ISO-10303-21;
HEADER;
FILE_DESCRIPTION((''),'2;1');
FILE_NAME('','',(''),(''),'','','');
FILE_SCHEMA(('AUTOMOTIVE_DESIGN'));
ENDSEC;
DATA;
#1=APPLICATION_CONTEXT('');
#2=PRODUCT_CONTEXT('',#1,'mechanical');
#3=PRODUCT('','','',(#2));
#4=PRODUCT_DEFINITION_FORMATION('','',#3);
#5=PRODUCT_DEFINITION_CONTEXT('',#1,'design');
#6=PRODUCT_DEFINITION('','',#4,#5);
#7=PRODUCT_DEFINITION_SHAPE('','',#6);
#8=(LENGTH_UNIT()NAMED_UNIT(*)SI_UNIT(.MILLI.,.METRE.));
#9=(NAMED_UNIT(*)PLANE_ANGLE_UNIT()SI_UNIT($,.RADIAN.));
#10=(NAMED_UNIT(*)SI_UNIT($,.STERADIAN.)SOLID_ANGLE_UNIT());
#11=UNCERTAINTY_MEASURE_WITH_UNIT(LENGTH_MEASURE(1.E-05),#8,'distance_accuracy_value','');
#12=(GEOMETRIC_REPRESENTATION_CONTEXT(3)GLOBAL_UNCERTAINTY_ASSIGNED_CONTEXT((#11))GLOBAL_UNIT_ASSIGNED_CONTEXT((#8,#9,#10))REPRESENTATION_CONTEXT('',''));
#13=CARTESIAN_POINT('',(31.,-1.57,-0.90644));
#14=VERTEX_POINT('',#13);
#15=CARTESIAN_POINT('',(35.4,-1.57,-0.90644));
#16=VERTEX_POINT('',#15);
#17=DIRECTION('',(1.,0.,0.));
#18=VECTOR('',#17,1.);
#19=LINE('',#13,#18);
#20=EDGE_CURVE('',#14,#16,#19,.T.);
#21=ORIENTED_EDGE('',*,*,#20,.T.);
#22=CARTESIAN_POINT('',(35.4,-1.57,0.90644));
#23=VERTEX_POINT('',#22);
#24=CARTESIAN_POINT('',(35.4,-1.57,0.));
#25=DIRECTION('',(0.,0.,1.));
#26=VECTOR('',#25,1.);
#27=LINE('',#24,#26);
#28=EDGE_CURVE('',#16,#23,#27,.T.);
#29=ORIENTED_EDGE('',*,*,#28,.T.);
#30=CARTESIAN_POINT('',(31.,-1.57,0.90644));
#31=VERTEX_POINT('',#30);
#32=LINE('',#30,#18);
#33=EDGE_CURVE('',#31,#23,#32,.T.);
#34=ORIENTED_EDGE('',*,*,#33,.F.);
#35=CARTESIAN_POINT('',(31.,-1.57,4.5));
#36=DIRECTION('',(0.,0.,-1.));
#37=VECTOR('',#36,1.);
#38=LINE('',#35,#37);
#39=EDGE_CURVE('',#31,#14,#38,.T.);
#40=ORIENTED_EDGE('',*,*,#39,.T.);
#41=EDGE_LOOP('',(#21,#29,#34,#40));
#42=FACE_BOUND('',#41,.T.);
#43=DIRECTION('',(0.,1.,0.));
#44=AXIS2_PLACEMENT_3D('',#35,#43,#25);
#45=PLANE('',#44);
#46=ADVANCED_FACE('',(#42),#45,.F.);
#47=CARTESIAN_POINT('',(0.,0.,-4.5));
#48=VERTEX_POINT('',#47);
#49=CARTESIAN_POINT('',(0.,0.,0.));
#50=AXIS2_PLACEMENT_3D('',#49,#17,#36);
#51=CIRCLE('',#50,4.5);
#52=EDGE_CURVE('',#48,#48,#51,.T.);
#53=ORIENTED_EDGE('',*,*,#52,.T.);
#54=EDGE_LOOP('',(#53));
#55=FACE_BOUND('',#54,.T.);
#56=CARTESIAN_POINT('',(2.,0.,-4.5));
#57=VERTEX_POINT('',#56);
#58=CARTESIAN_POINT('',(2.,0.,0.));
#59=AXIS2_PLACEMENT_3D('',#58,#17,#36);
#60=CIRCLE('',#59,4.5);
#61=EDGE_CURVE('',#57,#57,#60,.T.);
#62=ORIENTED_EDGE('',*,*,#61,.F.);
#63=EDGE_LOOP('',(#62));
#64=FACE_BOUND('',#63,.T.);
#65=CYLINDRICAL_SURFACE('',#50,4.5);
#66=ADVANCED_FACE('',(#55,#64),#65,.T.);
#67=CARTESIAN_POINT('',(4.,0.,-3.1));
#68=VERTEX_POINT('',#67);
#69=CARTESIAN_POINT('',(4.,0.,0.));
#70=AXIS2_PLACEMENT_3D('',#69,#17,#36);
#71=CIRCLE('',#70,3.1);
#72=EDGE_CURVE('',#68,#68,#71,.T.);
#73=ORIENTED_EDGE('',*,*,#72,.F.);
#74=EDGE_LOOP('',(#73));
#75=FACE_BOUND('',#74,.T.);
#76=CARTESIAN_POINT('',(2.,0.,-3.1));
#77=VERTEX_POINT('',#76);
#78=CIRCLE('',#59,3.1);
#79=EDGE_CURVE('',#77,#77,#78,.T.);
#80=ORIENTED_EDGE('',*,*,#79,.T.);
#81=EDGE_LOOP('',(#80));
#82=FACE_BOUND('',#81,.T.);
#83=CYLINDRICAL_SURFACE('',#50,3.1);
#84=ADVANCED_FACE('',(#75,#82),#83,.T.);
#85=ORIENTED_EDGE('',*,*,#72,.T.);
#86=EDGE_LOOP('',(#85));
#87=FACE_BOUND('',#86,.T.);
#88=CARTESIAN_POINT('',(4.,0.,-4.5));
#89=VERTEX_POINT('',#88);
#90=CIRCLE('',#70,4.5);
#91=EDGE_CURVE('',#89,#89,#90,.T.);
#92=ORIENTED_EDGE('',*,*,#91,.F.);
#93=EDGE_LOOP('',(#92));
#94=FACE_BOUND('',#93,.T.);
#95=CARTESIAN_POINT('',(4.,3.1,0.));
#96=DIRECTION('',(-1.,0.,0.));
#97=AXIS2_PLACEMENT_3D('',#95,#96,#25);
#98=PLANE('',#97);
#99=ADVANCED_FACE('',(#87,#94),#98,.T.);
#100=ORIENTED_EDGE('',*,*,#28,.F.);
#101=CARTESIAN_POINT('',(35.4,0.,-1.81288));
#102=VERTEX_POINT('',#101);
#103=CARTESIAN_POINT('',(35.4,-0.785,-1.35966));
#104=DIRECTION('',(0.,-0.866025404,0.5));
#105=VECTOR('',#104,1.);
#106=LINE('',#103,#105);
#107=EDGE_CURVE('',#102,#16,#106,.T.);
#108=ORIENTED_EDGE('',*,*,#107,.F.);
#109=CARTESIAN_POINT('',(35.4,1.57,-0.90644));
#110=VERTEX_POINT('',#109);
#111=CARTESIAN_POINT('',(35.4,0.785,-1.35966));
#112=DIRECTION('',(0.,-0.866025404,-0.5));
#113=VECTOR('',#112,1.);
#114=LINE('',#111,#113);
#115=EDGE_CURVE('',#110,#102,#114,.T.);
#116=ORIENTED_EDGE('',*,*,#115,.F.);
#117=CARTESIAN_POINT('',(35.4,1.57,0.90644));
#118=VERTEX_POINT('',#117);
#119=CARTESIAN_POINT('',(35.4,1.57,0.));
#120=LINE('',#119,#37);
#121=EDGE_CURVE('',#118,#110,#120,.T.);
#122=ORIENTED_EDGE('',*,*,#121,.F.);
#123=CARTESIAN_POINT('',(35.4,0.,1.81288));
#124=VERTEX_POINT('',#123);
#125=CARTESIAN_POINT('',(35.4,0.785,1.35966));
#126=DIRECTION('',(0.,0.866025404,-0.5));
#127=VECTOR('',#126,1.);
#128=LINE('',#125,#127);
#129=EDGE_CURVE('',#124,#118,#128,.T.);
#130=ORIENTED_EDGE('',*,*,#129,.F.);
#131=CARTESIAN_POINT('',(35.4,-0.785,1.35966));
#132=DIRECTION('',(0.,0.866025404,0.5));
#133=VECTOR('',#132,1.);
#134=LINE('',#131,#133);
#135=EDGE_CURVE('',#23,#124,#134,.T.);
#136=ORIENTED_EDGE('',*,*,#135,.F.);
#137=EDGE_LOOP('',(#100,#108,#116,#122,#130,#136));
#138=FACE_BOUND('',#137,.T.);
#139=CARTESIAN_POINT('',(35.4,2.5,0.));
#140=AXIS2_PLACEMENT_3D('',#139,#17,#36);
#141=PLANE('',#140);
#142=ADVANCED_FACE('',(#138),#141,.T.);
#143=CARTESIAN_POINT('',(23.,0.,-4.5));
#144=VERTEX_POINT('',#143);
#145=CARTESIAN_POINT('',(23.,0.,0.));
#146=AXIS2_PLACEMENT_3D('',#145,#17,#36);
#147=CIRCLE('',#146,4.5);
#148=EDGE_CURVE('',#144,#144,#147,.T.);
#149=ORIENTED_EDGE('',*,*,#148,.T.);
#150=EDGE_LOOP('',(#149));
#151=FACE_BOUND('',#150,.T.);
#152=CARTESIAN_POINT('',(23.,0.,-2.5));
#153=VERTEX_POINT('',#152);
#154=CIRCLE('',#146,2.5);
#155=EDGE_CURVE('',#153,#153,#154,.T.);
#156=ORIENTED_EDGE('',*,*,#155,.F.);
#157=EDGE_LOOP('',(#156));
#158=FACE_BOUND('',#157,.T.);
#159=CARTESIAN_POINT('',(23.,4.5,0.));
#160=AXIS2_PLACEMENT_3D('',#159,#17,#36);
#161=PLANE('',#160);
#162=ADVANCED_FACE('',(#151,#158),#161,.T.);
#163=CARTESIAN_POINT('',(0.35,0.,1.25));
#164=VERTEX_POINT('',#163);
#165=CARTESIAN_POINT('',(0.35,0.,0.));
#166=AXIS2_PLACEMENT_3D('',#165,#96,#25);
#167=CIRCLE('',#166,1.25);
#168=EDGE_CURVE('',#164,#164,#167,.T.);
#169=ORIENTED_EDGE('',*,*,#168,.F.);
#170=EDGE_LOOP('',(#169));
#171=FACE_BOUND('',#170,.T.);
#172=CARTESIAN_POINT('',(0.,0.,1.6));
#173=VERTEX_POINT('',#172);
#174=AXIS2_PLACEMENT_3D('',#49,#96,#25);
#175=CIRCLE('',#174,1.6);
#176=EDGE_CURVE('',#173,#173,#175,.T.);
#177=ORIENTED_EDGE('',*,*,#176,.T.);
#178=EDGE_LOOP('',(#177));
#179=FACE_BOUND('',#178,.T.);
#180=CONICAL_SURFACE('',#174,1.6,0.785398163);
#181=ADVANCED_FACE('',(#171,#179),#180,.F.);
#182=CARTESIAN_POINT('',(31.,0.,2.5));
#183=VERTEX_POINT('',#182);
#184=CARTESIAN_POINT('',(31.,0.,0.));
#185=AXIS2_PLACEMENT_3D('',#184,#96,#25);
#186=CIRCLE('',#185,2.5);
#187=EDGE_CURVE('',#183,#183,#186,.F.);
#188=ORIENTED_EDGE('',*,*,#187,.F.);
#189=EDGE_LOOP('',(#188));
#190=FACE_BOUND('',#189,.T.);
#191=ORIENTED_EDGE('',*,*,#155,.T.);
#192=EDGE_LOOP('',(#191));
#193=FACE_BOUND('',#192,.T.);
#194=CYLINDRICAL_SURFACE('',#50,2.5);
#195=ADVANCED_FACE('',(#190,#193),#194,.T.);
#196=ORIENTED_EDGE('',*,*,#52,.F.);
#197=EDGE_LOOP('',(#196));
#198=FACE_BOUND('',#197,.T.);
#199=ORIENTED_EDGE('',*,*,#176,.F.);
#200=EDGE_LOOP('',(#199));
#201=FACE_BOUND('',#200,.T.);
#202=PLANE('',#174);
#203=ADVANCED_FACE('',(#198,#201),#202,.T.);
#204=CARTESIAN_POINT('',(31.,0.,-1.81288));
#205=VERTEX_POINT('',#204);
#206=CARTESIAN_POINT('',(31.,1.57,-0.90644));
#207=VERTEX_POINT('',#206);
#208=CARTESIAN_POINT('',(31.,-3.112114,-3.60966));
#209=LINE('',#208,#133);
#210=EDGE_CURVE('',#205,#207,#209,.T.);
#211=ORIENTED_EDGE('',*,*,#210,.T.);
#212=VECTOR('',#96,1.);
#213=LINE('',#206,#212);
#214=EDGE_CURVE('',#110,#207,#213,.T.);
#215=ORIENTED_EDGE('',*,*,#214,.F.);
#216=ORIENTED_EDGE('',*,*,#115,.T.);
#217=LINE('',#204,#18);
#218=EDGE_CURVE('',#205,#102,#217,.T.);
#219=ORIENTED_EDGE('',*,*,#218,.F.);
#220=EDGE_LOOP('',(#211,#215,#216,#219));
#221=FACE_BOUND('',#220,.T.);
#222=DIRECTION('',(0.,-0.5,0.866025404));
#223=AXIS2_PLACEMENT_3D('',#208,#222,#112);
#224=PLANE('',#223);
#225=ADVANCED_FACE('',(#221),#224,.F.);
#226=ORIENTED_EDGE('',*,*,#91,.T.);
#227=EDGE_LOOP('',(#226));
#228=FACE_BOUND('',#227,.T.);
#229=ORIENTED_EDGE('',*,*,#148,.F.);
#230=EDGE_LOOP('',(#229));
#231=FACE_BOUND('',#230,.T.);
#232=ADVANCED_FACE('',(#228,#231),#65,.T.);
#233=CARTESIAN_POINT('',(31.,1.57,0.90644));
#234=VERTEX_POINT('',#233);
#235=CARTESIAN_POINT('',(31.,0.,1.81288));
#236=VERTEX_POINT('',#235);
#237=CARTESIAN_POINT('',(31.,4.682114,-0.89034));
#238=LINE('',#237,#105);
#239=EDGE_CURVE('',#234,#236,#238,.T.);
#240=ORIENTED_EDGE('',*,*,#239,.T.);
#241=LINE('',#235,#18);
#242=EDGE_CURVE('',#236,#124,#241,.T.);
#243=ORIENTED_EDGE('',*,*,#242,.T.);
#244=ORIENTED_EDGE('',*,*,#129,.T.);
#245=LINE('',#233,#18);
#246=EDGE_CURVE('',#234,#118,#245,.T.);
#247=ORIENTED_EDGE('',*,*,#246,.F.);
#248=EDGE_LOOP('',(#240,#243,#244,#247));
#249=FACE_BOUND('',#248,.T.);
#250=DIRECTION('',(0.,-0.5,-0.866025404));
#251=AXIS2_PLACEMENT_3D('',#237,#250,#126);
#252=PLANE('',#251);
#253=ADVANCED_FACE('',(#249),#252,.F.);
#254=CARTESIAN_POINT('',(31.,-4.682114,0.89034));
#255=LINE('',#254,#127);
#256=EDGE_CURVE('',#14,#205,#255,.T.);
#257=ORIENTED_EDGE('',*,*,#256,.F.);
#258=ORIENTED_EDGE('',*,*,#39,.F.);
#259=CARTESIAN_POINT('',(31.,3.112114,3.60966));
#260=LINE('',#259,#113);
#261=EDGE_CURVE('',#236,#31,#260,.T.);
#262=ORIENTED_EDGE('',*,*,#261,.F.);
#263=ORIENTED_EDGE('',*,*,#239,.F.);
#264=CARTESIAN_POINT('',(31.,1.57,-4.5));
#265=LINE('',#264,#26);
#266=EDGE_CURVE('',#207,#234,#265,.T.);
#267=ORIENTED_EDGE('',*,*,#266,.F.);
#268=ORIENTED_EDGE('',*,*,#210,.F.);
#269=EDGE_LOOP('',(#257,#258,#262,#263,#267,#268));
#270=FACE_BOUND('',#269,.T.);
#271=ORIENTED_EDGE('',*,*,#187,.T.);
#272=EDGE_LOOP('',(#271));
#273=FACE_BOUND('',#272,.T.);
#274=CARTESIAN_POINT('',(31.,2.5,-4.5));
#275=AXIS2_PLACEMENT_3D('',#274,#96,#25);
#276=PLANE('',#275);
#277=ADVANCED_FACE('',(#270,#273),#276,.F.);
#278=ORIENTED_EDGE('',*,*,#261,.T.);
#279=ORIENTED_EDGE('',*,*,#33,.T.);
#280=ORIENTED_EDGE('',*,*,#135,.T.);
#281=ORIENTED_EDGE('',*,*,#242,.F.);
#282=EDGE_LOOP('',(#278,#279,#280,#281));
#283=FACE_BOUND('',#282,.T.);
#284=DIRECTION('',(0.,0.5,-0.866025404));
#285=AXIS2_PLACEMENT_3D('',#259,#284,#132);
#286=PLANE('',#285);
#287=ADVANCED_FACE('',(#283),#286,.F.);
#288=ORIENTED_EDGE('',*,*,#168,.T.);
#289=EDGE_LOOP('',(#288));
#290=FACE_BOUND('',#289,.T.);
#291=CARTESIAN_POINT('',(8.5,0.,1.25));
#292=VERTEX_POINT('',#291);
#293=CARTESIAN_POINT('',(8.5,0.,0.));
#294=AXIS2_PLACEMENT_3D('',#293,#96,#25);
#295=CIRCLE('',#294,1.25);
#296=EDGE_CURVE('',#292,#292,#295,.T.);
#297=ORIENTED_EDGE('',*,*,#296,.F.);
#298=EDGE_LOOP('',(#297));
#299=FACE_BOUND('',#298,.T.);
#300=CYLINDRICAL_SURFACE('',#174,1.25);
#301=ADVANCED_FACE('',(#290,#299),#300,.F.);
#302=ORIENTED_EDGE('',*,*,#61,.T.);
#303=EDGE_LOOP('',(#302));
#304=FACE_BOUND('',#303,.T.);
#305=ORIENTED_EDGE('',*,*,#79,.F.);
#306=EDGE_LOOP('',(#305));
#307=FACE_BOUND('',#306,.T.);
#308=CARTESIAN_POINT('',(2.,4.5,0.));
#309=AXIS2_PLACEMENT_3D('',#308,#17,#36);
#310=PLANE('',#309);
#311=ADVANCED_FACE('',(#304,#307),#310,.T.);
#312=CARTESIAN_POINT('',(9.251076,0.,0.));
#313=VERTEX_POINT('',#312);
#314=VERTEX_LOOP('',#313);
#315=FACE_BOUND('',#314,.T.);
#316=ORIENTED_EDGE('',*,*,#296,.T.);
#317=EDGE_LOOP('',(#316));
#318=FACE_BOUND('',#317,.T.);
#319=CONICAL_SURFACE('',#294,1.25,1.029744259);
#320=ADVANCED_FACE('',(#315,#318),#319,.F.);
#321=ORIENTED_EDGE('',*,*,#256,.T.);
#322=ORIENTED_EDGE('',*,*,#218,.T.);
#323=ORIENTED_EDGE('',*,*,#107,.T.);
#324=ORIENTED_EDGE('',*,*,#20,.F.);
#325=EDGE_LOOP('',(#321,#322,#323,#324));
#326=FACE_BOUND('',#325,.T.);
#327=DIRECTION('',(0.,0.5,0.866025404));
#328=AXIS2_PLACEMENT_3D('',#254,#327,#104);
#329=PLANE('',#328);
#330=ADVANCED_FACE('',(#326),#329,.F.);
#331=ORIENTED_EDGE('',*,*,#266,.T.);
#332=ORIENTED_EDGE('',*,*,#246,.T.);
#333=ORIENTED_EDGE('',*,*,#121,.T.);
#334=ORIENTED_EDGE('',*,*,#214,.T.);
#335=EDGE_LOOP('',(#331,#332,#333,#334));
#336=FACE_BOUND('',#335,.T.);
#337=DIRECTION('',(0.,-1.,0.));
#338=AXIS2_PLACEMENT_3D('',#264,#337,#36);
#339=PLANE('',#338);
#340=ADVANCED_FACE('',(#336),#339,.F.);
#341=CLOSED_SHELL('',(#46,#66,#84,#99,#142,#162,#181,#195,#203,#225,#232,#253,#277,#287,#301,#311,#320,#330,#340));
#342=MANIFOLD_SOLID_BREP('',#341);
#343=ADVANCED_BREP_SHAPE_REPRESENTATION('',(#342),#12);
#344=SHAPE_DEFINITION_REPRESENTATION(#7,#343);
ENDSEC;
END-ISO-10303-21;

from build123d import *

# Parameters (mm, degrees)
SKETCH_2_W                  = 4.4
SKETCH_2_H                  = 0.93
CUT_EXTRUDE_1_DEPTH         = 36.967485317
PATTERN_CIRCULAR_1_COUNT    = 6
HOLE_WIZARD_M31_D           = 2.5
HOLE_WIZARD_M31_DEPTH       = 8.5
HOLE_WIZARD_M31_CSINK_D     = 3.2
HOLE_WIZARD_M31_CSINK_ANGLE = 90
HOLE_WIZARD_M31_TIP         = 0.751075774


with BuildPart() as part:
    # Эскиз1 → Повернуть1 (revolve)
    with BuildSketch(Plane.XY):
        Polygon((0, 0), (0, 4.5), (2, 4.5), (2, 3.1), (4, 3.1), (4, 4.5), (23, 4.5), (23, 2.5), (35.4, 2.5), (35.4, 0), align=None)
    revolve(axis=Axis((0, 0, 0), (-1, 0, 0)))

    # Эскиз2 → Вырез-Вытянуть1 (cut, symmetric)
    with BuildSketch(Plane.XY):
        with Locations((33.2, 2.035)):
            Rectangle(SKETCH_2_W, SKETCH_2_H)
    cut_extrude_1 = extrude(amount=CUT_EXTRUDE_1_DEPTH, both=True, mode=Mode.SUBTRACT)

    # Круговой массив1: Вырез-Вытянуть1 ×6 about axis
    pattern_circular_1_axis = Axis((0, 0, 0), (1, 0, 0))
    for i in range(1, PATTERN_CIRCULAR_1_COUNT):
        add(cut_extrude_1.rotate(pattern_circular_1_axis, i * 360 / PATTERN_CIRCULAR_1_COUNT), mode=Mode.SUBTRACT)

    # Отверстие обработанное метчиком M31
    with Locations(Plane.ZY):
        with Locations((0, 0)):
            CounterSinkHole(HOLE_WIZARD_M31_D / 2, HOLE_WIZARD_M31_CSINK_D / 2, depth=HOLE_WIZARD_M31_DEPTH, counter_sink_angle=HOLE_WIZARD_M31_CSINK_ANGLE)
            with Locations((0, 0, -(HOLE_WIZARD_M31_DEPTH + HOLE_WIZARD_M31_TIP / 2))):  # 118° drill point
                Cone(0, HOLE_WIZARD_M31_D / 2, HOLE_WIZARD_M31_TIP, mode=Mode.SUBTRACT)


solid = part.part
